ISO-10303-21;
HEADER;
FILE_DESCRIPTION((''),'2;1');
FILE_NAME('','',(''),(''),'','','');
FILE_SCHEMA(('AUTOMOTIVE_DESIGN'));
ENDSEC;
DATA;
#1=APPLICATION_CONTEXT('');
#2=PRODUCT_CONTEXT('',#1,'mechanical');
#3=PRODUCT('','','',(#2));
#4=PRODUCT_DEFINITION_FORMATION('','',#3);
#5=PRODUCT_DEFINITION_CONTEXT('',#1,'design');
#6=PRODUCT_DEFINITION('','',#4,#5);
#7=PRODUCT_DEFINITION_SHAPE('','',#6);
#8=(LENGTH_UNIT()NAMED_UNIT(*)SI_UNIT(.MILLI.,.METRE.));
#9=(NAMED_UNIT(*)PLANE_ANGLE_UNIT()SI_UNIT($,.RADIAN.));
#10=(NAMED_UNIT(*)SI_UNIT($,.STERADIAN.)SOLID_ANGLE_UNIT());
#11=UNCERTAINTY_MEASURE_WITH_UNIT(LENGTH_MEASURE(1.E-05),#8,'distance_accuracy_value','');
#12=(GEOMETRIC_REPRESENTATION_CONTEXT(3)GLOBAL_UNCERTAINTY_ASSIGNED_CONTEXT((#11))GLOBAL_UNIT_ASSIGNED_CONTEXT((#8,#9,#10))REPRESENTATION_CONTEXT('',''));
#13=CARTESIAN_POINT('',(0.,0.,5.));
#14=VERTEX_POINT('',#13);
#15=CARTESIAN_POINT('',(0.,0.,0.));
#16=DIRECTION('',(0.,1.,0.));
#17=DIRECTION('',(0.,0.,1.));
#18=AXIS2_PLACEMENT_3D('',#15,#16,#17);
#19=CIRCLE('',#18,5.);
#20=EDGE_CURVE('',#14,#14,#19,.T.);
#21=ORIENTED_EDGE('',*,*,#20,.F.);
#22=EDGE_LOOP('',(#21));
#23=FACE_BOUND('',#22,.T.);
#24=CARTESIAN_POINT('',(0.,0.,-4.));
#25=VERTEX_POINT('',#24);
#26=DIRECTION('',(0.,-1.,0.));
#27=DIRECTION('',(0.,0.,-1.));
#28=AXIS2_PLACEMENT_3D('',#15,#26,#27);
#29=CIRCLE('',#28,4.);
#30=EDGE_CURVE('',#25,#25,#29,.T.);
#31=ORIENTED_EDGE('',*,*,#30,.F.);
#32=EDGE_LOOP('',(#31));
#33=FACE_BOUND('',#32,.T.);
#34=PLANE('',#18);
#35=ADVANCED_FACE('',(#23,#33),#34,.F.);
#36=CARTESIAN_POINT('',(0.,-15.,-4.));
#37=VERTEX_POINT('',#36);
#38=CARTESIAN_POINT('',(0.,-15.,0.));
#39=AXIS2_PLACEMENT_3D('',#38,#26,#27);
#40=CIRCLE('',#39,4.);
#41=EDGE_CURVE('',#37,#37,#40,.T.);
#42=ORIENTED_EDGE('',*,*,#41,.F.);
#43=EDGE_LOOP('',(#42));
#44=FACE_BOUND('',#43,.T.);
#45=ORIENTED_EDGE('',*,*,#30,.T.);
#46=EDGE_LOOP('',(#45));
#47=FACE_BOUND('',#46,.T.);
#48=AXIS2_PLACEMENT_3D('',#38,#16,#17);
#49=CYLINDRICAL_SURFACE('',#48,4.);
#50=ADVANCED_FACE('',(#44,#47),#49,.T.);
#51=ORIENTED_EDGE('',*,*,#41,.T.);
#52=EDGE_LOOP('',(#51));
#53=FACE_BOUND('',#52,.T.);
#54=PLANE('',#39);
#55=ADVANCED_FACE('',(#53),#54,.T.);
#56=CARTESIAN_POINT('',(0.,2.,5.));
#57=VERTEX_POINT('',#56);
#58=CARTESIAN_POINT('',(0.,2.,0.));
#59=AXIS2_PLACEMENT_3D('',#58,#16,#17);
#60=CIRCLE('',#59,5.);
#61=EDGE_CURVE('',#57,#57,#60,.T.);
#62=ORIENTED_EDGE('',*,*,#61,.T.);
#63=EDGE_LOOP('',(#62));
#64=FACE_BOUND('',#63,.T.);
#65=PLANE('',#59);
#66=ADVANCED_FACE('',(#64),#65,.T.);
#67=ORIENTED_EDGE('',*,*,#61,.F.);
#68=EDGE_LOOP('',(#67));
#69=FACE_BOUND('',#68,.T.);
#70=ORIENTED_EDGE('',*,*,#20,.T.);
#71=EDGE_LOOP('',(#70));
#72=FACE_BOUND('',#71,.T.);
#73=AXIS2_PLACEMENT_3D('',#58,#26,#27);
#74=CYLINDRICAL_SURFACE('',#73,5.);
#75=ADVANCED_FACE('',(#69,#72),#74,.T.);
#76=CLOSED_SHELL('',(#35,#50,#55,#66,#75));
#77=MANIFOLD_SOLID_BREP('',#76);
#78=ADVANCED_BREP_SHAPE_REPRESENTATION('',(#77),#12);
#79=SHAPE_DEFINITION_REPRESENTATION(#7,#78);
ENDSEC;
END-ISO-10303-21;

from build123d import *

# Parameters (mm, degrees)
SKETCH1_R           = 5
BOSS_EXTRUDE1_DEPTH = 2
SKETCH6_R           = 4
BOSS_EXTRUDE4_DEPTH = 15


with BuildPart() as part:
    # Sketch1 → Boss-Extrude1 (new body)
    with BuildSketch(Plane(origin=(0, 0, 0), x_dir=(1, 0, 0), z_dir=(0, 1, 0))):
        Circle(SKETCH1_R)
    extrude(amount=BOSS_EXTRUDE1_DEPTH)

    # Sketch6 → Boss-Extrude4 (add)
    with BuildSketch(Plane(origin=(0, 0, 0), x_dir=(-1, 0, 0), z_dir=(0, -1, 0))):
        Circle(SKETCH6_R)
    extrude(amount=BOSS_EXTRUDE4_DEPTH)


solid = part.part
